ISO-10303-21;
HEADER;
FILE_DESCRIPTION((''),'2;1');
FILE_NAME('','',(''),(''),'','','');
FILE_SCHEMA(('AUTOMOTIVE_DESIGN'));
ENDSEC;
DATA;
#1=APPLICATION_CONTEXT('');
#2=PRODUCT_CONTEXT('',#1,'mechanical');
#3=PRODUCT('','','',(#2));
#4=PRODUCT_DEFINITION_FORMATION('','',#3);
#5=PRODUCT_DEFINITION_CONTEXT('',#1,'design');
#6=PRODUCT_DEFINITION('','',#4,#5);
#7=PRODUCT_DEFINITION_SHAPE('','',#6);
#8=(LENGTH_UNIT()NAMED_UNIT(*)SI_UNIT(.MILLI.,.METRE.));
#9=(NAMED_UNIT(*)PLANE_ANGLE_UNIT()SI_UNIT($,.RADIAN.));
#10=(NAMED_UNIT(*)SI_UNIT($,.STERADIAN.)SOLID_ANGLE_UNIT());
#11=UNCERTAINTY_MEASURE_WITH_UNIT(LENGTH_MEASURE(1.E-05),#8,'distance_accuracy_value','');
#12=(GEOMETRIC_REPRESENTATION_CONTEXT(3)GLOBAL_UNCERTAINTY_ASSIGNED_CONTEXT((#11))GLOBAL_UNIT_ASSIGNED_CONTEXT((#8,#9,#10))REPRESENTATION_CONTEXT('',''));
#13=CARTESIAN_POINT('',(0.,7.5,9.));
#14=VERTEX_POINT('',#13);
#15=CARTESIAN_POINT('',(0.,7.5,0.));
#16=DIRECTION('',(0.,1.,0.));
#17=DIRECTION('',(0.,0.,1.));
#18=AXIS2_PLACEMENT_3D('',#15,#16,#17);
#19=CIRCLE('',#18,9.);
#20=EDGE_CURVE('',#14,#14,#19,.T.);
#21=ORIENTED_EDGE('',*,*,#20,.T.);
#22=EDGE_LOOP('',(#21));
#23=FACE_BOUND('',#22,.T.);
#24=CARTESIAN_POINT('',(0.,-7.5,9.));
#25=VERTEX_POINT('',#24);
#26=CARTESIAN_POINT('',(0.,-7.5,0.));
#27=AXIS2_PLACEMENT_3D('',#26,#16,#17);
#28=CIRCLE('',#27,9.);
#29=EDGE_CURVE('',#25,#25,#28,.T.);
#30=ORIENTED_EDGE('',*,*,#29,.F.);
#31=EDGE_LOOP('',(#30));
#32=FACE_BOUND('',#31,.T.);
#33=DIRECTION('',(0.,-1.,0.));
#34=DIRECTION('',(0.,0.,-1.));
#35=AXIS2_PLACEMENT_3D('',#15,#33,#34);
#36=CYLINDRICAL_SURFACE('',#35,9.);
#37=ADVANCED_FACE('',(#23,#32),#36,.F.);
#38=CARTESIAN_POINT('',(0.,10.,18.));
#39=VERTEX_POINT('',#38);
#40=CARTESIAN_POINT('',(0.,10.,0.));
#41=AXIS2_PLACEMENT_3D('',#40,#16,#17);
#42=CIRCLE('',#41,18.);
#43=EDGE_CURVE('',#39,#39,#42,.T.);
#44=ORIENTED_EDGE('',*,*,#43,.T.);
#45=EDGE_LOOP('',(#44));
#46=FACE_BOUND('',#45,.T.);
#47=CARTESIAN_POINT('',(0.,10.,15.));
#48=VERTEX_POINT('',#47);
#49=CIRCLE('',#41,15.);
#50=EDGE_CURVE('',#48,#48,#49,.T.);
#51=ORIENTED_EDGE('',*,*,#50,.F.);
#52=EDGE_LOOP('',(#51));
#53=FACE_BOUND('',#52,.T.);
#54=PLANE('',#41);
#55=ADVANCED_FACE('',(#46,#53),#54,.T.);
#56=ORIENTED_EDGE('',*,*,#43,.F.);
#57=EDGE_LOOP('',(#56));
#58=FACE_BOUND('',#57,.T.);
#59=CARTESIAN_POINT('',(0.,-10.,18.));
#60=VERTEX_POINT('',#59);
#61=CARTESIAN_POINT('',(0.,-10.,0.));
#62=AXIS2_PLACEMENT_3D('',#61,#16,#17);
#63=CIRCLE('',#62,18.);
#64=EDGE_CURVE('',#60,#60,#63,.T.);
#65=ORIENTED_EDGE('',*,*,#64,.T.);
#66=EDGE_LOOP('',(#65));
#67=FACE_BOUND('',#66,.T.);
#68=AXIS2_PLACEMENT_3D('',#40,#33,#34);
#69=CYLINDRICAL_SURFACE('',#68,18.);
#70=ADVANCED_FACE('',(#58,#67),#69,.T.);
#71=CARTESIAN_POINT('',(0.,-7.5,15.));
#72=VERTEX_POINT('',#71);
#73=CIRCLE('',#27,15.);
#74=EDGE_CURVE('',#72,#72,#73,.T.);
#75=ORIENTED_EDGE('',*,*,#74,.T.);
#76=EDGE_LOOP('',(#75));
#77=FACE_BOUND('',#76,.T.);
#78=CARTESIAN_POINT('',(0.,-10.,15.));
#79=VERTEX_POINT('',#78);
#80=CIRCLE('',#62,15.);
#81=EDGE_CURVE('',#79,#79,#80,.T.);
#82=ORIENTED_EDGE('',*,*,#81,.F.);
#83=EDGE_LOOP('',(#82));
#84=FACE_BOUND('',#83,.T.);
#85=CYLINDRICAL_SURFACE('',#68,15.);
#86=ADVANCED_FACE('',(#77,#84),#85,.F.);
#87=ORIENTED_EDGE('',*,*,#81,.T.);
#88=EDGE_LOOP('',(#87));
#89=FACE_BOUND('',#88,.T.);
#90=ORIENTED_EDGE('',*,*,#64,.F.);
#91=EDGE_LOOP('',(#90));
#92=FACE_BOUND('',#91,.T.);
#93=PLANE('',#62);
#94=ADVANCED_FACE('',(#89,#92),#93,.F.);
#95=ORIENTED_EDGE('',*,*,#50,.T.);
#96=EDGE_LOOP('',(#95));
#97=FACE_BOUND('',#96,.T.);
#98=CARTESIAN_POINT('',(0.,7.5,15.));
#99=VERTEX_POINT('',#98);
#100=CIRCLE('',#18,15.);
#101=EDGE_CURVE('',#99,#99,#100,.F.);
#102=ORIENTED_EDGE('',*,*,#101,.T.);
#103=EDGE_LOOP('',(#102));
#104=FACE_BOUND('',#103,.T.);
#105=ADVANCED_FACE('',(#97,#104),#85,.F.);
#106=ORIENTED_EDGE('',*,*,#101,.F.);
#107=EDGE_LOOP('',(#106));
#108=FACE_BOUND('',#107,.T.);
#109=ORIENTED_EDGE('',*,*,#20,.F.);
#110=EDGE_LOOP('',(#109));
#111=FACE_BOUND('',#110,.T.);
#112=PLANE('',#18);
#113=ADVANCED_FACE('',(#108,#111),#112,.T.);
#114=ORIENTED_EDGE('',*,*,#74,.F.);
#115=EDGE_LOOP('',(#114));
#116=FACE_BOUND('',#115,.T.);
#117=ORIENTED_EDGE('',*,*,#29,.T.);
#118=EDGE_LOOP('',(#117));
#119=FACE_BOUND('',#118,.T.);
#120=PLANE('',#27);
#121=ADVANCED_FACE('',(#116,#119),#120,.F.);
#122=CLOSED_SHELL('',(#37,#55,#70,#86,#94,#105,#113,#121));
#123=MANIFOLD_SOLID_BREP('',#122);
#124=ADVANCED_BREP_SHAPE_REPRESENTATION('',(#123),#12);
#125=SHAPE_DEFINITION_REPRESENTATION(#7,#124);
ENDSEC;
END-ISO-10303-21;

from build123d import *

# Parameters (mm, degrees)
SKETCH1_R           = 15
SKETCH1_R_2         = 9
BOSS_EXTRUDE1_DEPTH = 7.5
SKETCH3_R           = 18
SKETCH3_R_2         = 15
BOSS_EXTRUDE2_DEPTH = 10


with BuildPart() as part:
    # Sketch1 → Boss-Extrude1 (new, symmetric)
    with BuildSketch(Plane(origin=(0, 0, 0), x_dir=(1, 0, 0), z_dir=(0, 1, 0))):
        with Locations(Location((0, 0, 0), (0, 0, 270))):
            Circle(SKETCH1_R)
        with Locations(Location((0, 0, 0), (0, 0, 270))):
            Circle(SKETCH1_R_2, mode=Mode.SUBTRACT)
    extrude(amount=BOSS_EXTRUDE1_DEPTH, both=True)

    # Sketch3 → Boss-Extrude2 (add, symmetric)
    with BuildSketch(Plane(origin=(0, 0, 0), x_dir=(1, 0, 0), z_dir=(0, 1, 0))):
        with Locations(Location((0, 0, 0), (0, 0, 270))):
            Circle(SKETCH3_R)
        with Locations(Location((0, 0, 0), (0, 0, 270))):
            Circle(SKETCH3_R_2, mode=Mode.SUBTRACT)
    extrude(amount=BOSS_EXTRUDE2_DEPTH, both=True)


solid = part.part
